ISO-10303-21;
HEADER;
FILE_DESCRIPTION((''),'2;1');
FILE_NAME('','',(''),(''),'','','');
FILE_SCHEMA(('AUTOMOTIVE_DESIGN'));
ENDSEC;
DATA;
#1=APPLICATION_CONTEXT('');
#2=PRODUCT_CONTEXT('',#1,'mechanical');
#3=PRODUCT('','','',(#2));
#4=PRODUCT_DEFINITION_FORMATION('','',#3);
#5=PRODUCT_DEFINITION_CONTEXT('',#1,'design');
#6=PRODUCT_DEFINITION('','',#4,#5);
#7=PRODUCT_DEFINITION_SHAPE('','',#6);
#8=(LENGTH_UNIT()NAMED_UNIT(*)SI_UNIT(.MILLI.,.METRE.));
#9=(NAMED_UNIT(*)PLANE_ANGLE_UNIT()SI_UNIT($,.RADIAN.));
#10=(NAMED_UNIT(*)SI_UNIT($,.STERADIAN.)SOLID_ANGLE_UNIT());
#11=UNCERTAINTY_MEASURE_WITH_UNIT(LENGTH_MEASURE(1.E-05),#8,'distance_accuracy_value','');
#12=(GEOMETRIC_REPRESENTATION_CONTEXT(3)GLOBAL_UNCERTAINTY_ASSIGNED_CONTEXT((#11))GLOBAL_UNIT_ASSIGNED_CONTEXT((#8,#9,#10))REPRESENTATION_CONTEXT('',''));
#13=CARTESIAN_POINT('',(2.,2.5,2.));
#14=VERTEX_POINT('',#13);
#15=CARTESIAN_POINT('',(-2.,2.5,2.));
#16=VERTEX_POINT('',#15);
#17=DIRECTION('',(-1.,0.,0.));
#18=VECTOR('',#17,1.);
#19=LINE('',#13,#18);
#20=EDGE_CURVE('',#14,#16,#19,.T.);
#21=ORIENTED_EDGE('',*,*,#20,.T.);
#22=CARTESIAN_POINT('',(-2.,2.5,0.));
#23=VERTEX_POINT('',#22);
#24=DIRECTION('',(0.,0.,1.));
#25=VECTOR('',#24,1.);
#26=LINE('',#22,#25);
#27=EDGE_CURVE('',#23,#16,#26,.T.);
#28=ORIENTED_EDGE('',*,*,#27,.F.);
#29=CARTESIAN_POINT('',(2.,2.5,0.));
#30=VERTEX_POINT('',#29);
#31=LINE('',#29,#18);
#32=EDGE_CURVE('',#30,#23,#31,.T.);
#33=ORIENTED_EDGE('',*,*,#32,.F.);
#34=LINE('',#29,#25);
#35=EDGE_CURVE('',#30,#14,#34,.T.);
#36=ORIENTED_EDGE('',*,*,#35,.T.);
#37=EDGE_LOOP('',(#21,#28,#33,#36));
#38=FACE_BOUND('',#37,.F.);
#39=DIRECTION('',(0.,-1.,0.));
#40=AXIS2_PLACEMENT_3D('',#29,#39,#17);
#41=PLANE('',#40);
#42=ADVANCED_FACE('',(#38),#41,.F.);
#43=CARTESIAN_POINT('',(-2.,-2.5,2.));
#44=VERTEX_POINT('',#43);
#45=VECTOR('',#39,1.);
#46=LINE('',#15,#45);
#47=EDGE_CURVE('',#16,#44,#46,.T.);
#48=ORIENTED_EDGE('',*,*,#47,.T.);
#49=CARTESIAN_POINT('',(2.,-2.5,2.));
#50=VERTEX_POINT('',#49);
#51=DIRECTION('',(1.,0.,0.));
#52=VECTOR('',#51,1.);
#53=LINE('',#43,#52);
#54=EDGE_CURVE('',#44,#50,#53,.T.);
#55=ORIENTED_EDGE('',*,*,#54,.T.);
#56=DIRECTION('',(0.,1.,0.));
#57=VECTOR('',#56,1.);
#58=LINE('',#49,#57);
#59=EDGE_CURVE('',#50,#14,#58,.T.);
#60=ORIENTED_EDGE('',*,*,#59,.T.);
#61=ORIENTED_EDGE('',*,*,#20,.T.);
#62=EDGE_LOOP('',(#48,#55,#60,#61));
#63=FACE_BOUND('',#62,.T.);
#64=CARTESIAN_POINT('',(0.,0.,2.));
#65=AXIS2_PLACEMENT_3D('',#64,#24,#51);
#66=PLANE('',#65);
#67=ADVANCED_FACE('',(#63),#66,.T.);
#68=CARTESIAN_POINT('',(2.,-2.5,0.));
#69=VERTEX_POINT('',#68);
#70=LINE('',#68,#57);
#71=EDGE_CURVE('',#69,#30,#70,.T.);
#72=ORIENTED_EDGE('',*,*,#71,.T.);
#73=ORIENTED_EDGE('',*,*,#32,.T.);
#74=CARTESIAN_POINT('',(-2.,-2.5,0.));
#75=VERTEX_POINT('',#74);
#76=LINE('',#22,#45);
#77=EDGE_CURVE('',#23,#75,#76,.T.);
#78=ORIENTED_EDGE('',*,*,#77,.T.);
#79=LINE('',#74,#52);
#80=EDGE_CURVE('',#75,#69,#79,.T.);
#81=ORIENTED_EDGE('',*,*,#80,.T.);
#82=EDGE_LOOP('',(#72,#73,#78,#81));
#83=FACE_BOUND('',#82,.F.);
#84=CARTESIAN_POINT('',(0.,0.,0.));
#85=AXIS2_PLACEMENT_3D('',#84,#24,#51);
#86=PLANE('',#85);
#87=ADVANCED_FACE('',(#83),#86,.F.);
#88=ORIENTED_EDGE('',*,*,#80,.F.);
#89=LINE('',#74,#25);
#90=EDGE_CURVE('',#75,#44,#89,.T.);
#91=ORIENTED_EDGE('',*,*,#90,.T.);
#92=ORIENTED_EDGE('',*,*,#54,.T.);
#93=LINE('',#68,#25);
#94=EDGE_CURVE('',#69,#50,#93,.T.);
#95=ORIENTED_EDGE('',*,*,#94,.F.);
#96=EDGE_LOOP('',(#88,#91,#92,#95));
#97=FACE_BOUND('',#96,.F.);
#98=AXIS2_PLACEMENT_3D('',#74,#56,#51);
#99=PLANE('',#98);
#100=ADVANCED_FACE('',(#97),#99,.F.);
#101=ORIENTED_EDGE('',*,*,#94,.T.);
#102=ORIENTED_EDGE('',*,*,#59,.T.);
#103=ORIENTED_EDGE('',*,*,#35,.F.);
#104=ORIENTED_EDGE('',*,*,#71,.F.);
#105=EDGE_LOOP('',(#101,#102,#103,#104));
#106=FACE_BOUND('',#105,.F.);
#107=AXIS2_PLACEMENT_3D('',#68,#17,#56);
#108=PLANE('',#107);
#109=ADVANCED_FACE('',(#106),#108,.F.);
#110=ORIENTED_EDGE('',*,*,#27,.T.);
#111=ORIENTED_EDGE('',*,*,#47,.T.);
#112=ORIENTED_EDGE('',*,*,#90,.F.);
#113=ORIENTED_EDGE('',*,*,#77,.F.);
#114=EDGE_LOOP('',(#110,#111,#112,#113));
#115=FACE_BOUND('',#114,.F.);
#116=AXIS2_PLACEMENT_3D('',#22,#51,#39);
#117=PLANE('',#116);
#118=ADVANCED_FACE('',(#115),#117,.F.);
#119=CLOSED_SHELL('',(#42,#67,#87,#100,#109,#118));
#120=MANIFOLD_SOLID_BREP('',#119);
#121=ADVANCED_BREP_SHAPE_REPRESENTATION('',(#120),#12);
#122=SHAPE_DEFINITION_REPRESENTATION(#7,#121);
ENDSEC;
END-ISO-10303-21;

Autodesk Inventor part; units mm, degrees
ref_plane "YZ Plane" through (0, 0, 0) normal (1, 0, 0) x (0, 1, 0)
ref_plane "XZ Plane" through (0, 0, 0) normal (0, 1, 0) x (-1, 0, 0)
ref_plane "XY Plane" through (0, 0, 0) normal (0, 0, 1) x (1, 0, 0)
sketch "Sketch1" plane through (0, 0, 0) normal (0, 0, 1) x (1, 0, 0)
  line L0 (-2, -2.5) -> (2, -2.5)
  line L1 (2, -2.5) -> (2, 2.5)
  line L2 (2, 2.5) -> (-2, 2.5)
  line L3 (-2, 2.5) -> (-2, -2.5)
  line L4 (-2, -2.5) -> (2, 2.5) construction
  line L5 (2, -2.5) -> (-2, 2.5) construction
  point P0 (0, 0)
  dimension "d0" = 4
  dimension "d1" = 5
extrude "Extrusion1" add sketch "Sketch1" along normal blind 2
properties part number "Magnets" material "Stainless Steel"
